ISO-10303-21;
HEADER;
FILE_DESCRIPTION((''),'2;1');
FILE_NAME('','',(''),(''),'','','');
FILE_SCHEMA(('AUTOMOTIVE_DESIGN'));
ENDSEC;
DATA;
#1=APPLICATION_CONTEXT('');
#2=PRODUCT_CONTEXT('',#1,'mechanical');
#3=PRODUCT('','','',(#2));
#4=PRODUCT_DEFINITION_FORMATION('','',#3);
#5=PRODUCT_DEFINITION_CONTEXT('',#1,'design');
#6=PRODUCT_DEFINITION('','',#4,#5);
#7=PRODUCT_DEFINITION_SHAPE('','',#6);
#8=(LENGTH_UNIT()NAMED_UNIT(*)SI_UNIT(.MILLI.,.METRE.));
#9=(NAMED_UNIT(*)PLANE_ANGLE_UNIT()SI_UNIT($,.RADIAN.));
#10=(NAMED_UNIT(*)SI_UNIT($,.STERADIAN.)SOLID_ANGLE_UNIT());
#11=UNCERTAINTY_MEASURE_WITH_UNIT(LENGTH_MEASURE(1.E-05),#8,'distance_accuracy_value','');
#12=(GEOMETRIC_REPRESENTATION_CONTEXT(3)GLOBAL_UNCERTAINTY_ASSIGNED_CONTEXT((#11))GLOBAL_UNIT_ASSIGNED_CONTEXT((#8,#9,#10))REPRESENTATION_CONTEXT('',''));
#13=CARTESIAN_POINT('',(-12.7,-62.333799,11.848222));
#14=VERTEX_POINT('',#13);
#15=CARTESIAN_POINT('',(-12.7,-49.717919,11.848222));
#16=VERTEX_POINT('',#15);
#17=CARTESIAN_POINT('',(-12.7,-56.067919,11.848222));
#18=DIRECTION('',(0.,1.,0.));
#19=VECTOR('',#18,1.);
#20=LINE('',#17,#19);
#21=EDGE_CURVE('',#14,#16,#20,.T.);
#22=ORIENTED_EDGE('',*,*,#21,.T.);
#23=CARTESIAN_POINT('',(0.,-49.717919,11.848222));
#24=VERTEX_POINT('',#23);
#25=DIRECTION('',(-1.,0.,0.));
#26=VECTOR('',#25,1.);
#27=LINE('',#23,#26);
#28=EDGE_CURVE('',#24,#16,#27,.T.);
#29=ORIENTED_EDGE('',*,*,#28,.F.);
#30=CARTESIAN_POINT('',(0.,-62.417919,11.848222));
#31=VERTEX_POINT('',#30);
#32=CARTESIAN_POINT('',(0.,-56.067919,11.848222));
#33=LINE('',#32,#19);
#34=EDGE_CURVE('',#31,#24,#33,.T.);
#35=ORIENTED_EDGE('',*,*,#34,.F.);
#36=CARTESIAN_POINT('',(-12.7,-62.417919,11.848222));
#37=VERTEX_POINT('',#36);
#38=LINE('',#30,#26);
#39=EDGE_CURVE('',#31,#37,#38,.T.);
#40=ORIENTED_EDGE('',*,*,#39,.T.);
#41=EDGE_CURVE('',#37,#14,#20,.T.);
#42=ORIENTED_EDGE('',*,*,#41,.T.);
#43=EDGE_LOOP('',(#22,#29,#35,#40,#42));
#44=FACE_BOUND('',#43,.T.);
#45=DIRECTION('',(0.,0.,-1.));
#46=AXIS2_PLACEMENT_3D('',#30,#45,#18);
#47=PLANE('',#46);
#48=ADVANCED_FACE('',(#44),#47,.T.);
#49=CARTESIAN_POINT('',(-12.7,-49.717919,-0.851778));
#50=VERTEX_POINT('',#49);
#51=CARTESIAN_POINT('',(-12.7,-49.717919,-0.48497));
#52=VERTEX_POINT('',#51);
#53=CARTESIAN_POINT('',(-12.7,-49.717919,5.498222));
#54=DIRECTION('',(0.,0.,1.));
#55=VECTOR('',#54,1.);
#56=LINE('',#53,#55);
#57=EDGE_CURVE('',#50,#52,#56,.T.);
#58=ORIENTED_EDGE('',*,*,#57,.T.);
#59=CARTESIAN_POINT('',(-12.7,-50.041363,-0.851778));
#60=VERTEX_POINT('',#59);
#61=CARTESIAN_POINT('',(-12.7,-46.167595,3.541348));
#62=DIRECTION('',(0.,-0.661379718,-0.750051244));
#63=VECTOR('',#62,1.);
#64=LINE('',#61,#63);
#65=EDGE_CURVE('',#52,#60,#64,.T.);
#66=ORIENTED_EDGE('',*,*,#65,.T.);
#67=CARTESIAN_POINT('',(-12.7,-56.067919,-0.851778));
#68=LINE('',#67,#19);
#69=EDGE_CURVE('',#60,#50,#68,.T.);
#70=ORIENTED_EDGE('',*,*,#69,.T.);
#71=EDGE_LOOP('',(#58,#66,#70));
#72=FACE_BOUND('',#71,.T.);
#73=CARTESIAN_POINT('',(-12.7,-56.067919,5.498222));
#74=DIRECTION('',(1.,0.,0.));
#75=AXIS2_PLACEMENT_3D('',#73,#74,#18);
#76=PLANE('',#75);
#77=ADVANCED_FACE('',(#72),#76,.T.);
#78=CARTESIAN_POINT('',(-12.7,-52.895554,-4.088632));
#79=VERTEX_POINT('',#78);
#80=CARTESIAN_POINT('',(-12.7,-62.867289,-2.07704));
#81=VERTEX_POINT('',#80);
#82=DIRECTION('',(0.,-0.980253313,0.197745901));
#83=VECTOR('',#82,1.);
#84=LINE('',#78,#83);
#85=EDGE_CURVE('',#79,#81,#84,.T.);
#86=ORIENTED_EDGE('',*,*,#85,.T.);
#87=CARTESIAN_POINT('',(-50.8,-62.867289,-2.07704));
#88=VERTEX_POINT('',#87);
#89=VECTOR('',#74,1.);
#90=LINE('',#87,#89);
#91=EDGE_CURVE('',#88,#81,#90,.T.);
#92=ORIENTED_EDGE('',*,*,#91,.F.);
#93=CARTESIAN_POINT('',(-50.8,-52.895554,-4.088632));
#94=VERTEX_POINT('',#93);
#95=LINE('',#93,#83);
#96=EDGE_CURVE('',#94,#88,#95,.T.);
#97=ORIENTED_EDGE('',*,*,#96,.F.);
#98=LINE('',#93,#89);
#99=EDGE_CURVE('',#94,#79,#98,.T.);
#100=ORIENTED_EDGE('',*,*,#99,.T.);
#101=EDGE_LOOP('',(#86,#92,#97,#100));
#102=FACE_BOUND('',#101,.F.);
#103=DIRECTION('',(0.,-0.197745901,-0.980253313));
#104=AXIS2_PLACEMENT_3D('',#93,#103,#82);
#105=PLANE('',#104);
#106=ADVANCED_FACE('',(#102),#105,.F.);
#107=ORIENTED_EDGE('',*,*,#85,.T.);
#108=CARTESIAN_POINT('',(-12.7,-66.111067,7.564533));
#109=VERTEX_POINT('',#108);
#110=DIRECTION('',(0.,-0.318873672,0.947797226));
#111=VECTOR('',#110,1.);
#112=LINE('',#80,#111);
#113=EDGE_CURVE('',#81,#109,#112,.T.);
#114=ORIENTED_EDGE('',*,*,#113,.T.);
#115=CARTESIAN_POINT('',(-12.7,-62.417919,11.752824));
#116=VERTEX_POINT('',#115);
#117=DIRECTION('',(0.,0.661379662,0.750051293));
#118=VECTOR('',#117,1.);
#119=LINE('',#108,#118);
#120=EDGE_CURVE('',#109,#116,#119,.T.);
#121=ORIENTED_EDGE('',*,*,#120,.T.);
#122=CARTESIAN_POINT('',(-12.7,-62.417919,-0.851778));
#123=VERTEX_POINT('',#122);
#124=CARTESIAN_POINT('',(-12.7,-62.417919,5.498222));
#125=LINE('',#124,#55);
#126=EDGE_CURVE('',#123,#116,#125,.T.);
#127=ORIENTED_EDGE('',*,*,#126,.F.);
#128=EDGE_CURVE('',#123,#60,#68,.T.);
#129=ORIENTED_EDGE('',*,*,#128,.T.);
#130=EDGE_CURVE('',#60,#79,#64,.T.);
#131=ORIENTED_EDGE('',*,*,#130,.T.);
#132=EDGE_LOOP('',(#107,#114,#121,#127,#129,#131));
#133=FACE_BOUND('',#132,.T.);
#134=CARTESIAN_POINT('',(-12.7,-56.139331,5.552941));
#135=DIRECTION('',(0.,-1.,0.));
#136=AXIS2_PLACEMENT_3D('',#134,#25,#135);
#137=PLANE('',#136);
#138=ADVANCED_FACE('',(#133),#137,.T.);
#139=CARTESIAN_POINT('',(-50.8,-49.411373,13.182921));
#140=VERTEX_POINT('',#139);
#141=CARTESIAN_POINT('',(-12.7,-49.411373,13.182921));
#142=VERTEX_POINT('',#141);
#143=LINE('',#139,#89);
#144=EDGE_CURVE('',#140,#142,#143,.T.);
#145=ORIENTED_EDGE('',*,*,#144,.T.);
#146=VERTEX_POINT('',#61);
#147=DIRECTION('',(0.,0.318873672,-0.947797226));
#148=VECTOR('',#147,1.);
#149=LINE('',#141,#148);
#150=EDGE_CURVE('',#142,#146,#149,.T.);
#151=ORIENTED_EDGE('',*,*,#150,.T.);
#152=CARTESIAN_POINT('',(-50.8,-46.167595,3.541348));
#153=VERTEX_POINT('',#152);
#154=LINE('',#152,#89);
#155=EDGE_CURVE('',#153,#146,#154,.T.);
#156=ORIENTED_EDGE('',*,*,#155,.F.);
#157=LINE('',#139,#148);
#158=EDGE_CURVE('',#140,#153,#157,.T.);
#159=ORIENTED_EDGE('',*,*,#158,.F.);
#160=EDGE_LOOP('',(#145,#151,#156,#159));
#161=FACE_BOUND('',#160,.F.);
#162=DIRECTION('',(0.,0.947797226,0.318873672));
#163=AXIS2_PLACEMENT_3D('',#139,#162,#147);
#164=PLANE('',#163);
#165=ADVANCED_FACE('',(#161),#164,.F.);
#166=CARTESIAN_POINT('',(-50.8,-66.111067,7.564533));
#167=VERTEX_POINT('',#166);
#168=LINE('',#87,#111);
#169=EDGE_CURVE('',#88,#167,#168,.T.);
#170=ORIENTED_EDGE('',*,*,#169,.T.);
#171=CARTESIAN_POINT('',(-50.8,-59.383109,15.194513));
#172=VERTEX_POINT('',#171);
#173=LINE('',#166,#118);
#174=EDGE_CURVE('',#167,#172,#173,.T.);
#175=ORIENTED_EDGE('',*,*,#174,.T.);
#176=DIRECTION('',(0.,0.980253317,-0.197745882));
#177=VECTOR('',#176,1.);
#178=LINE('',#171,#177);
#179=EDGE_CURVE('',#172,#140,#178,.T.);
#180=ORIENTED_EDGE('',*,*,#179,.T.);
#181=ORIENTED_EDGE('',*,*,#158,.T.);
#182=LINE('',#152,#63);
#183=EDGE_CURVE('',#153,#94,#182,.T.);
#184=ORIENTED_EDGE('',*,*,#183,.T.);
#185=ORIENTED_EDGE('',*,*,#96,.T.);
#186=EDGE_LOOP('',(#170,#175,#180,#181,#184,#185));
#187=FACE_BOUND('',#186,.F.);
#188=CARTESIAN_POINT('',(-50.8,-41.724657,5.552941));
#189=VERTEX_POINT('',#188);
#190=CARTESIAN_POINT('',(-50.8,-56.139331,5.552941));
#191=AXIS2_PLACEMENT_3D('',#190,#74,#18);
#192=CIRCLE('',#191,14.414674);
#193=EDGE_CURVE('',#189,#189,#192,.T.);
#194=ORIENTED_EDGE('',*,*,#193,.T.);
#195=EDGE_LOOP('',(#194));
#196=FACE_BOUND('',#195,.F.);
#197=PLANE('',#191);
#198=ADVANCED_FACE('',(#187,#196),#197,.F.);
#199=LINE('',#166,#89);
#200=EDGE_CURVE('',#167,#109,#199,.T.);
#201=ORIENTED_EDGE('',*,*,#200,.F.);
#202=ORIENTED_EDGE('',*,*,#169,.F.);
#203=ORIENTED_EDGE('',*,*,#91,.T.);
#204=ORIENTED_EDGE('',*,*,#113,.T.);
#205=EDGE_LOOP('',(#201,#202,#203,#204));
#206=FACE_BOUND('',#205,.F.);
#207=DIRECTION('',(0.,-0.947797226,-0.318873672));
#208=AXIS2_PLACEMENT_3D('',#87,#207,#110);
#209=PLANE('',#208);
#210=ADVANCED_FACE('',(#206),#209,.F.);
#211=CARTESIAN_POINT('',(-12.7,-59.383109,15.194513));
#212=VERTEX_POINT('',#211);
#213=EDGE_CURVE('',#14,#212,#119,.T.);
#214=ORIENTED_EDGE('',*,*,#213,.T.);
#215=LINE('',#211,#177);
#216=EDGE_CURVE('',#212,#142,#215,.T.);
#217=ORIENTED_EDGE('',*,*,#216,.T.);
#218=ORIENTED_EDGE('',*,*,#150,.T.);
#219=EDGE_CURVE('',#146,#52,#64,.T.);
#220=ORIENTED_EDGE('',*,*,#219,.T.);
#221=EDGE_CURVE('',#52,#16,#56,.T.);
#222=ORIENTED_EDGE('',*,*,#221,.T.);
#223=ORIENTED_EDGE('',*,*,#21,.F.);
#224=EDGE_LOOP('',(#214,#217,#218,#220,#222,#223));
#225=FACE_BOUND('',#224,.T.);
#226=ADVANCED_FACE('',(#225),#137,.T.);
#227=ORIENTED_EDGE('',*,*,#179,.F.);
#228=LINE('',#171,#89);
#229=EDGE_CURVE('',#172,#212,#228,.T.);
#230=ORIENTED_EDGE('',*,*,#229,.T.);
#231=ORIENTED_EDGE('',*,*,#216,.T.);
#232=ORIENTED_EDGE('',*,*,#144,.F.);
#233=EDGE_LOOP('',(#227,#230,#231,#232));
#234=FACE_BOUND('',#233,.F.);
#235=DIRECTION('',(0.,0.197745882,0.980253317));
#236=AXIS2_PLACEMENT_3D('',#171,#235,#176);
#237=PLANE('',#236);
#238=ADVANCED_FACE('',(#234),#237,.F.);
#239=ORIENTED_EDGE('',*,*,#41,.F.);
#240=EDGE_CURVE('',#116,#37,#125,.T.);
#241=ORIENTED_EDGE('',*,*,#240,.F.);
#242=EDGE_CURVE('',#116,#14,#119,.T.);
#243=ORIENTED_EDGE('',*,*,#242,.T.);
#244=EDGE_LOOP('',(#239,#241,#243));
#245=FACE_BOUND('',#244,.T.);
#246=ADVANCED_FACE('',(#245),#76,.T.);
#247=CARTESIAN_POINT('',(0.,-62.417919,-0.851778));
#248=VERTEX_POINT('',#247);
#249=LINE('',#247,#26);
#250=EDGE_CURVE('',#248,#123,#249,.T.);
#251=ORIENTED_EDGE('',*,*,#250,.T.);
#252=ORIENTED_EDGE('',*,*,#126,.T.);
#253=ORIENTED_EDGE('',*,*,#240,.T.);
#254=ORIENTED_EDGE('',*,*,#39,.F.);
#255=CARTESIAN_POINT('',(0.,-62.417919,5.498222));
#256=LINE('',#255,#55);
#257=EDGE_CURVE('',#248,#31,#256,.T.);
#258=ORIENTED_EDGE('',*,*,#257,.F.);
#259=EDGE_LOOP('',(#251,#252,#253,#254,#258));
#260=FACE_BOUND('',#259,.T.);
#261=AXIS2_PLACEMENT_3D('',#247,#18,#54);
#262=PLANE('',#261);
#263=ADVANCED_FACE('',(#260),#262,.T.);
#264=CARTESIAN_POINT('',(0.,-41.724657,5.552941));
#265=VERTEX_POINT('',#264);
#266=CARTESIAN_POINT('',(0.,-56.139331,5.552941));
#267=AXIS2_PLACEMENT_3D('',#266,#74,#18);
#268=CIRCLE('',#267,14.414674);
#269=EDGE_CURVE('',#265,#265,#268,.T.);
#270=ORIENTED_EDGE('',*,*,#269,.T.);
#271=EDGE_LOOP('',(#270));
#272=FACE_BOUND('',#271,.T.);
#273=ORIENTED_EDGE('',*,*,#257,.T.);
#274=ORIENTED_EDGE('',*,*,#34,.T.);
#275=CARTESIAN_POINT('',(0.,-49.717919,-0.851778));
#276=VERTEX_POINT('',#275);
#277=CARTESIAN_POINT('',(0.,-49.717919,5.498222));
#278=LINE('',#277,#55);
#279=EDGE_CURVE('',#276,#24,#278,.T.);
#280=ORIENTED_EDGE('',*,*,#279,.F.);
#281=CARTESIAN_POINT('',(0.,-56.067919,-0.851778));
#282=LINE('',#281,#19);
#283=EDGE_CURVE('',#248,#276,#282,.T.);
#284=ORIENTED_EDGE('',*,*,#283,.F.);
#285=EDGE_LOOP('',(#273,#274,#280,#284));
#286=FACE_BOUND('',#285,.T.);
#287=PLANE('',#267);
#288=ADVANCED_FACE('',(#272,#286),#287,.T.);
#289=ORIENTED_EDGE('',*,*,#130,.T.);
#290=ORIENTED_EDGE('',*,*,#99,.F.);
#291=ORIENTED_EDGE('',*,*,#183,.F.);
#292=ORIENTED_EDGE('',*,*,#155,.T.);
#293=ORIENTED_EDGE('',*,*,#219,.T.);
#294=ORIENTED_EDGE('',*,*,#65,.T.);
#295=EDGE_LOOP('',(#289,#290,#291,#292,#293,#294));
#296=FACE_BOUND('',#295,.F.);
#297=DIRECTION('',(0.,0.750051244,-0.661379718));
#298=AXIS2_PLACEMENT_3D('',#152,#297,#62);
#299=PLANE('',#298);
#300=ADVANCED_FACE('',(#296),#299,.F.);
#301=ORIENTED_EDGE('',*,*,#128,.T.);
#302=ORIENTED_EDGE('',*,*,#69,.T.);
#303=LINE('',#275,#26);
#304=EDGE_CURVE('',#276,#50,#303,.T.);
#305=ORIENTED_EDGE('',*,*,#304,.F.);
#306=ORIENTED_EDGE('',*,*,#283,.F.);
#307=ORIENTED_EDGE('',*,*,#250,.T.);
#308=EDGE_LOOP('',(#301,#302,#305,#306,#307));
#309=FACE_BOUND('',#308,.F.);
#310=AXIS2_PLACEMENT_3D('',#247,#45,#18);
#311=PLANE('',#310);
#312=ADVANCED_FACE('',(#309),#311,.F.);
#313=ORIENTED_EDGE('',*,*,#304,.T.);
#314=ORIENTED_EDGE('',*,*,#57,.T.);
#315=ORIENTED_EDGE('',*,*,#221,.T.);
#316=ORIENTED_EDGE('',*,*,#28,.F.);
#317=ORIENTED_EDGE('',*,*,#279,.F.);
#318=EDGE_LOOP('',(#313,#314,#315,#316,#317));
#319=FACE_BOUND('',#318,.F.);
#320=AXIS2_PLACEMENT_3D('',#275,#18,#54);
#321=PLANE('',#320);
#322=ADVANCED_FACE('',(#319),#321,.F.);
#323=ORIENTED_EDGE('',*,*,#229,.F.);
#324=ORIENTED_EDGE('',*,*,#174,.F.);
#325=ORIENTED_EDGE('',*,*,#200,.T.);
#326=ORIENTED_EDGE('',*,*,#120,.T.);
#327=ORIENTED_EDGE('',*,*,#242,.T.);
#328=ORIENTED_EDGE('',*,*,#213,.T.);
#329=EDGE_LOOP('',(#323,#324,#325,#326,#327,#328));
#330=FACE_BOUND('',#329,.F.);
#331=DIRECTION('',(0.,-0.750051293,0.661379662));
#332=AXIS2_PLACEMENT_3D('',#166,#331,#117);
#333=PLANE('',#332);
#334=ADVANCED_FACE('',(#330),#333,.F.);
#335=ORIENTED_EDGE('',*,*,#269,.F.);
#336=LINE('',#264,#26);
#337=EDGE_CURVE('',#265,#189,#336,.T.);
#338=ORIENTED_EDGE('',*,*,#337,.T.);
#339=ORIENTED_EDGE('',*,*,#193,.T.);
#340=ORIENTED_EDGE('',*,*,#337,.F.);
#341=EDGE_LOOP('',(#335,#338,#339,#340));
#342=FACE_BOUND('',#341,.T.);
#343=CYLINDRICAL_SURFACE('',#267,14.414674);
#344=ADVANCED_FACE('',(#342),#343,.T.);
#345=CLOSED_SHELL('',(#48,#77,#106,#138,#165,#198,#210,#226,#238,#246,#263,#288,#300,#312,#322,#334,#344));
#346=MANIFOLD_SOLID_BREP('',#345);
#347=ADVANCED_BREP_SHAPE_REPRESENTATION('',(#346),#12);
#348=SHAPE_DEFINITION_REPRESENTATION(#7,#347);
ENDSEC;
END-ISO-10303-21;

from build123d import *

# Parameters (mm, degrees)
F0_R     = 14.414674
F1_DEPTH = 50.8
F2_W     = 12.7
F2_H     = 12.7
F3_DEPTH = 12.7
F5_DEPTH = 38.1


with BuildPart() as f1:
    # F0 (on Right) → F1 (new body)
    with BuildSketch(Plane.YZ):
        with Locations((-56.139331, 5.552941)):
            Circle(F0_R)
    extrude(amount=-F1_DEPTH)

    # F2 (on face) → F3 (cut)
    with BuildSketch(Plane.YZ):
        with Locations((-56.067919, 5.498222)):
            Rectangle(F2_W, F2_H)
    extrude(amount=-F3_DEPTH, mode=Mode.SUBTRACT)

    # F4 (on face) → F5 (cut, through all)
    with BuildSketch(Plane(origin=(-50.8, 0, 0), x_dir=(0, -1, 0), z_dir=(-1, 0, 0))):
        Polygon((62.867289, -2.07704), (66.111067, 7.564533), (59.383109, 15.194513), (49.411373, 13.182921), (46.167595, 3.541348), (52.895554, -4.088632), align=None)
    extrude(amount=-F5_DEPTH, mode=Mode.SUBTRACT)


solid = f1.part
